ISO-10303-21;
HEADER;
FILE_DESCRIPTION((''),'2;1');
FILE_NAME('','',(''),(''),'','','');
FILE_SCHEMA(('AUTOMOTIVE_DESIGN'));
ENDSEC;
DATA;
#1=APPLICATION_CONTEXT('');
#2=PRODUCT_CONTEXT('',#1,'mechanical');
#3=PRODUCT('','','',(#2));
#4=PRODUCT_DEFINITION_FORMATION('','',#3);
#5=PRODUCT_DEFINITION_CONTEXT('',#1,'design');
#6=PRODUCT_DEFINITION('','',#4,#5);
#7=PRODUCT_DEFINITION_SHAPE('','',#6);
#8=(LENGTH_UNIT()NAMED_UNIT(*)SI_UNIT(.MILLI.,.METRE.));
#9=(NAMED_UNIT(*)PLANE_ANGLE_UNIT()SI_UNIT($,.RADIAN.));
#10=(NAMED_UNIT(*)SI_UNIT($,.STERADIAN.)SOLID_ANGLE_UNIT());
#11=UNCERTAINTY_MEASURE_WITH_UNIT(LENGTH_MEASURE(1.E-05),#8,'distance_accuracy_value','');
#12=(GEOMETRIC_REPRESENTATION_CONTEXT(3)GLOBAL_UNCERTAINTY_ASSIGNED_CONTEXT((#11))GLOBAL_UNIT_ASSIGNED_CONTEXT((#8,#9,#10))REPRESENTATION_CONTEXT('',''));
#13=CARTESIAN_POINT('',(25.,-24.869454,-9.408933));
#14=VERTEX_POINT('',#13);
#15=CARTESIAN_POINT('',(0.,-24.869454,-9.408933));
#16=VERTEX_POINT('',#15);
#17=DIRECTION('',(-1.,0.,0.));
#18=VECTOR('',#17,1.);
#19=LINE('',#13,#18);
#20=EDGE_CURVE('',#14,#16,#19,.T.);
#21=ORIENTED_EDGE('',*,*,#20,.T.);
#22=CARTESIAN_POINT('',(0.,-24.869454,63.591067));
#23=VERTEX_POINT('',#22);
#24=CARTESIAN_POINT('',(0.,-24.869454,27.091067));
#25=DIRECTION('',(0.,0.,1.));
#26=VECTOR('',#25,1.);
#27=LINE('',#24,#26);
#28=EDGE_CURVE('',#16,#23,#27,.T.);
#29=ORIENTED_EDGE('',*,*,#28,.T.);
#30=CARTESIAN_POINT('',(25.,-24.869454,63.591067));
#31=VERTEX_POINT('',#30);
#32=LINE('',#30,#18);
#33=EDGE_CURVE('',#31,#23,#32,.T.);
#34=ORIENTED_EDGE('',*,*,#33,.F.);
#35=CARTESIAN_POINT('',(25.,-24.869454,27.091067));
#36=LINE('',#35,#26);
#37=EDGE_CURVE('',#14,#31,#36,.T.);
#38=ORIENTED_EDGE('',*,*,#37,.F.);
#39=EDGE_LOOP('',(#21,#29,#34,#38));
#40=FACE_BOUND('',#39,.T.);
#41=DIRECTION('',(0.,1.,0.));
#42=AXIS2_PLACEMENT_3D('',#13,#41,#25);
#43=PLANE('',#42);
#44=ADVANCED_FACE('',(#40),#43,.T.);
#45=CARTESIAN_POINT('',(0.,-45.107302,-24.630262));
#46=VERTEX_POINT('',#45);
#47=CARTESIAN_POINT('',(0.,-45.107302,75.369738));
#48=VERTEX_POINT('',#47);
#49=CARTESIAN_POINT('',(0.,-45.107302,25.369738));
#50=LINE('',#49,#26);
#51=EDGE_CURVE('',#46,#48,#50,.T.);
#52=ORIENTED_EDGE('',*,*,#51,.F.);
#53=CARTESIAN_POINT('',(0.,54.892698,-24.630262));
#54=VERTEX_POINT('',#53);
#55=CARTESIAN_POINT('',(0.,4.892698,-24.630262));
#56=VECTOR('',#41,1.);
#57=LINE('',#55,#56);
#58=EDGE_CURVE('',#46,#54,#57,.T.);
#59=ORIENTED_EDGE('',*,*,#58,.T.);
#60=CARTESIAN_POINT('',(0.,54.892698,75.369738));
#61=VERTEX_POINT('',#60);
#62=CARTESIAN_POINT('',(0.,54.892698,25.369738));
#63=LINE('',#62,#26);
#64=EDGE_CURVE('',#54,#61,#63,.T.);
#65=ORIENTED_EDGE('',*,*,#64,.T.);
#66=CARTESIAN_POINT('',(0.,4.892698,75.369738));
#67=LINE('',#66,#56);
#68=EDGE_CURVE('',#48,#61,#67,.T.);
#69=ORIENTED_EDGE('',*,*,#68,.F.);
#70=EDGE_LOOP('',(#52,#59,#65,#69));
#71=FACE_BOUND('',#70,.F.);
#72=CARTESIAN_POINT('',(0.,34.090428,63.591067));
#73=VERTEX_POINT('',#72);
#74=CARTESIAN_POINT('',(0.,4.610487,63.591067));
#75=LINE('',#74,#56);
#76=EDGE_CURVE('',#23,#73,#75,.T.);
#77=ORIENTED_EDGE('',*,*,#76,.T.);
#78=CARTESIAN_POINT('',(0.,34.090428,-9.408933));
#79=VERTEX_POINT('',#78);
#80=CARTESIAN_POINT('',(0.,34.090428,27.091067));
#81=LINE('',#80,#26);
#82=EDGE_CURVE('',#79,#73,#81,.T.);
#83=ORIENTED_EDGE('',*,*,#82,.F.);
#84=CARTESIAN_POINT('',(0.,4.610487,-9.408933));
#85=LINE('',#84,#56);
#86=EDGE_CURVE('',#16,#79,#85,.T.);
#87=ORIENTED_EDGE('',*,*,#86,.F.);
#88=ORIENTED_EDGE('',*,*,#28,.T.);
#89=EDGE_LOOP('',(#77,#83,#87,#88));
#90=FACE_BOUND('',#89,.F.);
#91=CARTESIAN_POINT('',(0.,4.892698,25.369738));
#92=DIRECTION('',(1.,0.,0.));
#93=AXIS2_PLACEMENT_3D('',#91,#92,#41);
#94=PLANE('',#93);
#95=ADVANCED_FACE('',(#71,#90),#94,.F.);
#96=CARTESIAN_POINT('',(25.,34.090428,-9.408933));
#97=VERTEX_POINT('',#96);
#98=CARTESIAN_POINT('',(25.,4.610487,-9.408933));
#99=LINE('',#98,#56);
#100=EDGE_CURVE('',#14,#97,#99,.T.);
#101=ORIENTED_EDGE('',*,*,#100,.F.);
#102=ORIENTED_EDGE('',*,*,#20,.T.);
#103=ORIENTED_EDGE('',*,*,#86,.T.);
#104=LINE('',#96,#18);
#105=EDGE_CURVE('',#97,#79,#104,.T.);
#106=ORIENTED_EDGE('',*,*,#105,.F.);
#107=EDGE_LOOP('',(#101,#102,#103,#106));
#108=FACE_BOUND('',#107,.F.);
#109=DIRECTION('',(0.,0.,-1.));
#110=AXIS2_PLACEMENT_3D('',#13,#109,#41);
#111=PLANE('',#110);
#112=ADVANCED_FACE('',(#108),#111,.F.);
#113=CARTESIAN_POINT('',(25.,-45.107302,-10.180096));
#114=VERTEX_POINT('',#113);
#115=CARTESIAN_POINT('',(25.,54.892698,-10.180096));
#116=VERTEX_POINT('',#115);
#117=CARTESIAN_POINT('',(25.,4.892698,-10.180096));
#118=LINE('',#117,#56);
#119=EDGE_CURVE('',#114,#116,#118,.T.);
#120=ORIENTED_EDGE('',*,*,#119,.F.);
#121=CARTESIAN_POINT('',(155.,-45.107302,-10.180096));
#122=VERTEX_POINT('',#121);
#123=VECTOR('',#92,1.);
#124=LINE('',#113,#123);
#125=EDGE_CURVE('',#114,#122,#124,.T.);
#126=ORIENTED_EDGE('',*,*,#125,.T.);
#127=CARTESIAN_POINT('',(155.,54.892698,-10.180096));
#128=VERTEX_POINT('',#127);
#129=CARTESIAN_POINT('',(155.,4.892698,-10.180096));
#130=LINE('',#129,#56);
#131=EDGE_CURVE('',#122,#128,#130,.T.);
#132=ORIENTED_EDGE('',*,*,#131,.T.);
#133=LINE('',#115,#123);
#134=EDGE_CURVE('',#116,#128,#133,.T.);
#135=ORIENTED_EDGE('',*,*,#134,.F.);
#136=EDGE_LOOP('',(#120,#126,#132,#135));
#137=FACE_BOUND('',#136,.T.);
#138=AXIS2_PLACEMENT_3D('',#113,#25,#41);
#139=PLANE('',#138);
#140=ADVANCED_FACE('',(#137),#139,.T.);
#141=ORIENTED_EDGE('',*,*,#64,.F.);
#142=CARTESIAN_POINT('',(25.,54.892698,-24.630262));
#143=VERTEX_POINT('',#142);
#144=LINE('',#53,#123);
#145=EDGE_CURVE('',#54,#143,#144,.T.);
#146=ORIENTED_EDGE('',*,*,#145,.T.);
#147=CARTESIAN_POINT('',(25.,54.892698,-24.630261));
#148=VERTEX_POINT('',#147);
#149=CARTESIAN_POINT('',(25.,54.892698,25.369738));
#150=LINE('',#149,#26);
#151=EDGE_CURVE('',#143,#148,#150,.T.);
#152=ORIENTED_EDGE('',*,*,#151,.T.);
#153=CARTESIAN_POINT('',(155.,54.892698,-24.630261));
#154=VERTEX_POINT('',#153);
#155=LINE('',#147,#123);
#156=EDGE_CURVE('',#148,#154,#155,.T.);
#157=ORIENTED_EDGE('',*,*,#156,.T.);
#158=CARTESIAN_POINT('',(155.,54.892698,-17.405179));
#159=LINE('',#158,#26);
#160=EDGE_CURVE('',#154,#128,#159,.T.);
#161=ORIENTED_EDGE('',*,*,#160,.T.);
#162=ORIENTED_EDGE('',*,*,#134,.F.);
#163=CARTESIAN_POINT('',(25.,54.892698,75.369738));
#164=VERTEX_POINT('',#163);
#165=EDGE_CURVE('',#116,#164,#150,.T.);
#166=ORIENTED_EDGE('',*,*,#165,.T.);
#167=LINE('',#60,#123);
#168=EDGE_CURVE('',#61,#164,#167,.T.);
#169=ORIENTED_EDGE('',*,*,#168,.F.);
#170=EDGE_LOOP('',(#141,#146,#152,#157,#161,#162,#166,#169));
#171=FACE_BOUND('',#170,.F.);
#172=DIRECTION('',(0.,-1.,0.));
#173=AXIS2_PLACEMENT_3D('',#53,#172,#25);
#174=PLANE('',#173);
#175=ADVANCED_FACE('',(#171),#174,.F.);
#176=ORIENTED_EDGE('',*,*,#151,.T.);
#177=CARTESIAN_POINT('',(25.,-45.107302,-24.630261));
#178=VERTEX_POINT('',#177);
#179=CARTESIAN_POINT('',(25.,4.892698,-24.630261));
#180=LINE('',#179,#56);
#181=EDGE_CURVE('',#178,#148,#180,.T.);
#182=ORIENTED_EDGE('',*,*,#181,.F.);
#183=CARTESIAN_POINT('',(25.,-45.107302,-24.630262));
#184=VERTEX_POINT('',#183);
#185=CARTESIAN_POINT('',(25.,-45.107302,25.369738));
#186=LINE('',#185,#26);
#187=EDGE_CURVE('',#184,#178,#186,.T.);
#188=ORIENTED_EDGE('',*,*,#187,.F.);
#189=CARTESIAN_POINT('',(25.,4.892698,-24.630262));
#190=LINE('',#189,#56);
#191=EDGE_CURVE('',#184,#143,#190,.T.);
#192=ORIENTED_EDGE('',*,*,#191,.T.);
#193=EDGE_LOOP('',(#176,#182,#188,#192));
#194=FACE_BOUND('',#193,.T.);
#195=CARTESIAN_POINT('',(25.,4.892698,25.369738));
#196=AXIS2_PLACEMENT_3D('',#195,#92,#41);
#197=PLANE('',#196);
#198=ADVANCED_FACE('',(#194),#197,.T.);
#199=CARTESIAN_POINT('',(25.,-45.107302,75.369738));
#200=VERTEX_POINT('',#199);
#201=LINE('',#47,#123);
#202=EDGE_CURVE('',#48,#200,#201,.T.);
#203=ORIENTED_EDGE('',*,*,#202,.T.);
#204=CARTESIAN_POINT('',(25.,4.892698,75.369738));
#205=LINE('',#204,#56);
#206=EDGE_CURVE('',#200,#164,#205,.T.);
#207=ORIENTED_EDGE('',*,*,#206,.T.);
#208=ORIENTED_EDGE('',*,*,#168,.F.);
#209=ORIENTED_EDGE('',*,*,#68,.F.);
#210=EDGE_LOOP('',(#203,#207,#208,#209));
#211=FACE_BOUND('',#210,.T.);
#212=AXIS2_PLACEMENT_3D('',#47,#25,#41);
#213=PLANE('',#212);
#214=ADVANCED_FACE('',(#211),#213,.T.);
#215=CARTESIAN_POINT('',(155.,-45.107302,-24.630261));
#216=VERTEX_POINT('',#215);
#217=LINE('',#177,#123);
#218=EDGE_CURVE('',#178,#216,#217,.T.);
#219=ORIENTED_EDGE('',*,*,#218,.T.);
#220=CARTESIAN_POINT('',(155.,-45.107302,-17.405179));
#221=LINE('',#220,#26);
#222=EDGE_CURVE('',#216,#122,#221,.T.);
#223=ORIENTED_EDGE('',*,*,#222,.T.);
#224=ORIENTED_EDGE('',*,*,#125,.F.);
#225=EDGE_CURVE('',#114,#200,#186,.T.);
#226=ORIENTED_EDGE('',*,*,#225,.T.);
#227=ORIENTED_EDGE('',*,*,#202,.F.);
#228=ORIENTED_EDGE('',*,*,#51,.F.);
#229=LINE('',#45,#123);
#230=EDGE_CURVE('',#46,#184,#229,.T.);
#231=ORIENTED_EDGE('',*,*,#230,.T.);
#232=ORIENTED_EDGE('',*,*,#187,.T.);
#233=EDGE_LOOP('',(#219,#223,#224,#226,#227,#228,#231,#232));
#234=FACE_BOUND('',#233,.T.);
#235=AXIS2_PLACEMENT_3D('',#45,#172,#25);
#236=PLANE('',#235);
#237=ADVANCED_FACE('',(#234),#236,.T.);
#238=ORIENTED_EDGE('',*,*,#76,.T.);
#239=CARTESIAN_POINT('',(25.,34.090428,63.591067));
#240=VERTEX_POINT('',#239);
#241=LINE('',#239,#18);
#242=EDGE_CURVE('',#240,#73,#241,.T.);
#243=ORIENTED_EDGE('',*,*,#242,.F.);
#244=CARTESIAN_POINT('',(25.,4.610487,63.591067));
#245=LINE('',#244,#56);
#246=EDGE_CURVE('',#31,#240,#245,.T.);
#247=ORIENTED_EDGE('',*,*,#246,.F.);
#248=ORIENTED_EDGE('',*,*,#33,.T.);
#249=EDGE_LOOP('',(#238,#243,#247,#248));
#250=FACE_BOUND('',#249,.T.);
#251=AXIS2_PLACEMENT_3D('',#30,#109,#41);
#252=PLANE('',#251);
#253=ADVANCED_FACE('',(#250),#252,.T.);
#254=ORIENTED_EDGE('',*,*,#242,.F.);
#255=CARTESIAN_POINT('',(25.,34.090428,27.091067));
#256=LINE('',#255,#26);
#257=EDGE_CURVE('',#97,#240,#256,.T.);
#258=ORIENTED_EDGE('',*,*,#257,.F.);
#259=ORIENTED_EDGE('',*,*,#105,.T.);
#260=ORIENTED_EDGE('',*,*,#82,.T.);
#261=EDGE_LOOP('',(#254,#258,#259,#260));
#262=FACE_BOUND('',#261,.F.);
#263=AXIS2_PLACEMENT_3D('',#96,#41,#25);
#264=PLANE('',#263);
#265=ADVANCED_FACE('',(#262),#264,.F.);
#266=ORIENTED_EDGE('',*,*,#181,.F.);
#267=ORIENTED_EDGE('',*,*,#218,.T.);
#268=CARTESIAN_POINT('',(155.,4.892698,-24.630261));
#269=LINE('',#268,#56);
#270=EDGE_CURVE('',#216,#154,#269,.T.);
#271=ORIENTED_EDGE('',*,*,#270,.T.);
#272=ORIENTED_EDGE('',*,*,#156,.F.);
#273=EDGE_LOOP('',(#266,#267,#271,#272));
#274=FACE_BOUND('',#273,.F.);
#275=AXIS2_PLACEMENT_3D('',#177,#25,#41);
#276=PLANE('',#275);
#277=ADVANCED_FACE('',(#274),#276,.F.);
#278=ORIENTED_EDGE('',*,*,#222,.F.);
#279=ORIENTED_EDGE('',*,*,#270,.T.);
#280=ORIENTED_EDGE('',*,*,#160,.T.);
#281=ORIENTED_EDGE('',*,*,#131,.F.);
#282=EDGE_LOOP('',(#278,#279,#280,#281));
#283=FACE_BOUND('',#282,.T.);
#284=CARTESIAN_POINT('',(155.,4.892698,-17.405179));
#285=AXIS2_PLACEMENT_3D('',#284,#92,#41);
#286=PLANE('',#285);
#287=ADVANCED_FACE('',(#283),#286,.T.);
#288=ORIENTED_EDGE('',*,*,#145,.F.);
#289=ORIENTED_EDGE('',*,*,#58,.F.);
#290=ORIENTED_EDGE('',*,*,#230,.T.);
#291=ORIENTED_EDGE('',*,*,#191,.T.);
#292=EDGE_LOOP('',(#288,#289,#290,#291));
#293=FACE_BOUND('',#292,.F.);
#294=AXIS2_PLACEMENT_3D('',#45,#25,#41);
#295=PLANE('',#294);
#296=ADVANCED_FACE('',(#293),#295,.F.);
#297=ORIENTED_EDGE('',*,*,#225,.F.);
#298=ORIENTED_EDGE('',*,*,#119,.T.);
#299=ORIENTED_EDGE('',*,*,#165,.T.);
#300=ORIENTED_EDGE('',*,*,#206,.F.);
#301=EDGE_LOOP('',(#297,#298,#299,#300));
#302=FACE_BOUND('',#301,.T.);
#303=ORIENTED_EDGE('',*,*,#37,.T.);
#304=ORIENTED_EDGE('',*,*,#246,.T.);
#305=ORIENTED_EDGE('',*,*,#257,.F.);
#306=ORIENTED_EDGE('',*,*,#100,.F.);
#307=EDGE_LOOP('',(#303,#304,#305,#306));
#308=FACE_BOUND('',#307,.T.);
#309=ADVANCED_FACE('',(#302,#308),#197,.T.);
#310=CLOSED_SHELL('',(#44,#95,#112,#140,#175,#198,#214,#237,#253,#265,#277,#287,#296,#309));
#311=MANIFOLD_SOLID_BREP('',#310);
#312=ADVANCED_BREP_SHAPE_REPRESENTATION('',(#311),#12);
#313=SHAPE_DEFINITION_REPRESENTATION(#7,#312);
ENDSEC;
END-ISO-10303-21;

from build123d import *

# Parameters (mm, degrees)
F0_W     = 100
F0_H     = 100
F1_DEPTH = 25
F2_W     = 58.959882
F2_H     = 73
F3_DEPTH = 25
F4_W     = 100
F4_H     = 14.450165
F5_DEPTH = 130


with BuildPart() as f1:
    # F0 (on Right) → F1 (new body)
    with BuildSketch(Plane.YZ):
        with Locations((4.892698, 25.369738)):
            Rectangle(F0_W, F0_H)
    extrude(amount=F1_DEPTH)

    # F2 (on face) → F3 (cut)
    with BuildSketch(Plane.YZ.offset(25)):
        with Locations((4.610487, 27.091067)):
            Rectangle(F2_W, F2_H)
    extrude(amount=-F3_DEPTH, mode=Mode.SUBTRACT)

    # F4 (on face) → F5 (join)
    with BuildSketch(Plane.YZ.offset(25)):
        with Locations((4.892698, -17.405179)):
            Rectangle(F4_W, F4_H)
    extrude(amount=F5_DEPTH)


solid = f1.part
